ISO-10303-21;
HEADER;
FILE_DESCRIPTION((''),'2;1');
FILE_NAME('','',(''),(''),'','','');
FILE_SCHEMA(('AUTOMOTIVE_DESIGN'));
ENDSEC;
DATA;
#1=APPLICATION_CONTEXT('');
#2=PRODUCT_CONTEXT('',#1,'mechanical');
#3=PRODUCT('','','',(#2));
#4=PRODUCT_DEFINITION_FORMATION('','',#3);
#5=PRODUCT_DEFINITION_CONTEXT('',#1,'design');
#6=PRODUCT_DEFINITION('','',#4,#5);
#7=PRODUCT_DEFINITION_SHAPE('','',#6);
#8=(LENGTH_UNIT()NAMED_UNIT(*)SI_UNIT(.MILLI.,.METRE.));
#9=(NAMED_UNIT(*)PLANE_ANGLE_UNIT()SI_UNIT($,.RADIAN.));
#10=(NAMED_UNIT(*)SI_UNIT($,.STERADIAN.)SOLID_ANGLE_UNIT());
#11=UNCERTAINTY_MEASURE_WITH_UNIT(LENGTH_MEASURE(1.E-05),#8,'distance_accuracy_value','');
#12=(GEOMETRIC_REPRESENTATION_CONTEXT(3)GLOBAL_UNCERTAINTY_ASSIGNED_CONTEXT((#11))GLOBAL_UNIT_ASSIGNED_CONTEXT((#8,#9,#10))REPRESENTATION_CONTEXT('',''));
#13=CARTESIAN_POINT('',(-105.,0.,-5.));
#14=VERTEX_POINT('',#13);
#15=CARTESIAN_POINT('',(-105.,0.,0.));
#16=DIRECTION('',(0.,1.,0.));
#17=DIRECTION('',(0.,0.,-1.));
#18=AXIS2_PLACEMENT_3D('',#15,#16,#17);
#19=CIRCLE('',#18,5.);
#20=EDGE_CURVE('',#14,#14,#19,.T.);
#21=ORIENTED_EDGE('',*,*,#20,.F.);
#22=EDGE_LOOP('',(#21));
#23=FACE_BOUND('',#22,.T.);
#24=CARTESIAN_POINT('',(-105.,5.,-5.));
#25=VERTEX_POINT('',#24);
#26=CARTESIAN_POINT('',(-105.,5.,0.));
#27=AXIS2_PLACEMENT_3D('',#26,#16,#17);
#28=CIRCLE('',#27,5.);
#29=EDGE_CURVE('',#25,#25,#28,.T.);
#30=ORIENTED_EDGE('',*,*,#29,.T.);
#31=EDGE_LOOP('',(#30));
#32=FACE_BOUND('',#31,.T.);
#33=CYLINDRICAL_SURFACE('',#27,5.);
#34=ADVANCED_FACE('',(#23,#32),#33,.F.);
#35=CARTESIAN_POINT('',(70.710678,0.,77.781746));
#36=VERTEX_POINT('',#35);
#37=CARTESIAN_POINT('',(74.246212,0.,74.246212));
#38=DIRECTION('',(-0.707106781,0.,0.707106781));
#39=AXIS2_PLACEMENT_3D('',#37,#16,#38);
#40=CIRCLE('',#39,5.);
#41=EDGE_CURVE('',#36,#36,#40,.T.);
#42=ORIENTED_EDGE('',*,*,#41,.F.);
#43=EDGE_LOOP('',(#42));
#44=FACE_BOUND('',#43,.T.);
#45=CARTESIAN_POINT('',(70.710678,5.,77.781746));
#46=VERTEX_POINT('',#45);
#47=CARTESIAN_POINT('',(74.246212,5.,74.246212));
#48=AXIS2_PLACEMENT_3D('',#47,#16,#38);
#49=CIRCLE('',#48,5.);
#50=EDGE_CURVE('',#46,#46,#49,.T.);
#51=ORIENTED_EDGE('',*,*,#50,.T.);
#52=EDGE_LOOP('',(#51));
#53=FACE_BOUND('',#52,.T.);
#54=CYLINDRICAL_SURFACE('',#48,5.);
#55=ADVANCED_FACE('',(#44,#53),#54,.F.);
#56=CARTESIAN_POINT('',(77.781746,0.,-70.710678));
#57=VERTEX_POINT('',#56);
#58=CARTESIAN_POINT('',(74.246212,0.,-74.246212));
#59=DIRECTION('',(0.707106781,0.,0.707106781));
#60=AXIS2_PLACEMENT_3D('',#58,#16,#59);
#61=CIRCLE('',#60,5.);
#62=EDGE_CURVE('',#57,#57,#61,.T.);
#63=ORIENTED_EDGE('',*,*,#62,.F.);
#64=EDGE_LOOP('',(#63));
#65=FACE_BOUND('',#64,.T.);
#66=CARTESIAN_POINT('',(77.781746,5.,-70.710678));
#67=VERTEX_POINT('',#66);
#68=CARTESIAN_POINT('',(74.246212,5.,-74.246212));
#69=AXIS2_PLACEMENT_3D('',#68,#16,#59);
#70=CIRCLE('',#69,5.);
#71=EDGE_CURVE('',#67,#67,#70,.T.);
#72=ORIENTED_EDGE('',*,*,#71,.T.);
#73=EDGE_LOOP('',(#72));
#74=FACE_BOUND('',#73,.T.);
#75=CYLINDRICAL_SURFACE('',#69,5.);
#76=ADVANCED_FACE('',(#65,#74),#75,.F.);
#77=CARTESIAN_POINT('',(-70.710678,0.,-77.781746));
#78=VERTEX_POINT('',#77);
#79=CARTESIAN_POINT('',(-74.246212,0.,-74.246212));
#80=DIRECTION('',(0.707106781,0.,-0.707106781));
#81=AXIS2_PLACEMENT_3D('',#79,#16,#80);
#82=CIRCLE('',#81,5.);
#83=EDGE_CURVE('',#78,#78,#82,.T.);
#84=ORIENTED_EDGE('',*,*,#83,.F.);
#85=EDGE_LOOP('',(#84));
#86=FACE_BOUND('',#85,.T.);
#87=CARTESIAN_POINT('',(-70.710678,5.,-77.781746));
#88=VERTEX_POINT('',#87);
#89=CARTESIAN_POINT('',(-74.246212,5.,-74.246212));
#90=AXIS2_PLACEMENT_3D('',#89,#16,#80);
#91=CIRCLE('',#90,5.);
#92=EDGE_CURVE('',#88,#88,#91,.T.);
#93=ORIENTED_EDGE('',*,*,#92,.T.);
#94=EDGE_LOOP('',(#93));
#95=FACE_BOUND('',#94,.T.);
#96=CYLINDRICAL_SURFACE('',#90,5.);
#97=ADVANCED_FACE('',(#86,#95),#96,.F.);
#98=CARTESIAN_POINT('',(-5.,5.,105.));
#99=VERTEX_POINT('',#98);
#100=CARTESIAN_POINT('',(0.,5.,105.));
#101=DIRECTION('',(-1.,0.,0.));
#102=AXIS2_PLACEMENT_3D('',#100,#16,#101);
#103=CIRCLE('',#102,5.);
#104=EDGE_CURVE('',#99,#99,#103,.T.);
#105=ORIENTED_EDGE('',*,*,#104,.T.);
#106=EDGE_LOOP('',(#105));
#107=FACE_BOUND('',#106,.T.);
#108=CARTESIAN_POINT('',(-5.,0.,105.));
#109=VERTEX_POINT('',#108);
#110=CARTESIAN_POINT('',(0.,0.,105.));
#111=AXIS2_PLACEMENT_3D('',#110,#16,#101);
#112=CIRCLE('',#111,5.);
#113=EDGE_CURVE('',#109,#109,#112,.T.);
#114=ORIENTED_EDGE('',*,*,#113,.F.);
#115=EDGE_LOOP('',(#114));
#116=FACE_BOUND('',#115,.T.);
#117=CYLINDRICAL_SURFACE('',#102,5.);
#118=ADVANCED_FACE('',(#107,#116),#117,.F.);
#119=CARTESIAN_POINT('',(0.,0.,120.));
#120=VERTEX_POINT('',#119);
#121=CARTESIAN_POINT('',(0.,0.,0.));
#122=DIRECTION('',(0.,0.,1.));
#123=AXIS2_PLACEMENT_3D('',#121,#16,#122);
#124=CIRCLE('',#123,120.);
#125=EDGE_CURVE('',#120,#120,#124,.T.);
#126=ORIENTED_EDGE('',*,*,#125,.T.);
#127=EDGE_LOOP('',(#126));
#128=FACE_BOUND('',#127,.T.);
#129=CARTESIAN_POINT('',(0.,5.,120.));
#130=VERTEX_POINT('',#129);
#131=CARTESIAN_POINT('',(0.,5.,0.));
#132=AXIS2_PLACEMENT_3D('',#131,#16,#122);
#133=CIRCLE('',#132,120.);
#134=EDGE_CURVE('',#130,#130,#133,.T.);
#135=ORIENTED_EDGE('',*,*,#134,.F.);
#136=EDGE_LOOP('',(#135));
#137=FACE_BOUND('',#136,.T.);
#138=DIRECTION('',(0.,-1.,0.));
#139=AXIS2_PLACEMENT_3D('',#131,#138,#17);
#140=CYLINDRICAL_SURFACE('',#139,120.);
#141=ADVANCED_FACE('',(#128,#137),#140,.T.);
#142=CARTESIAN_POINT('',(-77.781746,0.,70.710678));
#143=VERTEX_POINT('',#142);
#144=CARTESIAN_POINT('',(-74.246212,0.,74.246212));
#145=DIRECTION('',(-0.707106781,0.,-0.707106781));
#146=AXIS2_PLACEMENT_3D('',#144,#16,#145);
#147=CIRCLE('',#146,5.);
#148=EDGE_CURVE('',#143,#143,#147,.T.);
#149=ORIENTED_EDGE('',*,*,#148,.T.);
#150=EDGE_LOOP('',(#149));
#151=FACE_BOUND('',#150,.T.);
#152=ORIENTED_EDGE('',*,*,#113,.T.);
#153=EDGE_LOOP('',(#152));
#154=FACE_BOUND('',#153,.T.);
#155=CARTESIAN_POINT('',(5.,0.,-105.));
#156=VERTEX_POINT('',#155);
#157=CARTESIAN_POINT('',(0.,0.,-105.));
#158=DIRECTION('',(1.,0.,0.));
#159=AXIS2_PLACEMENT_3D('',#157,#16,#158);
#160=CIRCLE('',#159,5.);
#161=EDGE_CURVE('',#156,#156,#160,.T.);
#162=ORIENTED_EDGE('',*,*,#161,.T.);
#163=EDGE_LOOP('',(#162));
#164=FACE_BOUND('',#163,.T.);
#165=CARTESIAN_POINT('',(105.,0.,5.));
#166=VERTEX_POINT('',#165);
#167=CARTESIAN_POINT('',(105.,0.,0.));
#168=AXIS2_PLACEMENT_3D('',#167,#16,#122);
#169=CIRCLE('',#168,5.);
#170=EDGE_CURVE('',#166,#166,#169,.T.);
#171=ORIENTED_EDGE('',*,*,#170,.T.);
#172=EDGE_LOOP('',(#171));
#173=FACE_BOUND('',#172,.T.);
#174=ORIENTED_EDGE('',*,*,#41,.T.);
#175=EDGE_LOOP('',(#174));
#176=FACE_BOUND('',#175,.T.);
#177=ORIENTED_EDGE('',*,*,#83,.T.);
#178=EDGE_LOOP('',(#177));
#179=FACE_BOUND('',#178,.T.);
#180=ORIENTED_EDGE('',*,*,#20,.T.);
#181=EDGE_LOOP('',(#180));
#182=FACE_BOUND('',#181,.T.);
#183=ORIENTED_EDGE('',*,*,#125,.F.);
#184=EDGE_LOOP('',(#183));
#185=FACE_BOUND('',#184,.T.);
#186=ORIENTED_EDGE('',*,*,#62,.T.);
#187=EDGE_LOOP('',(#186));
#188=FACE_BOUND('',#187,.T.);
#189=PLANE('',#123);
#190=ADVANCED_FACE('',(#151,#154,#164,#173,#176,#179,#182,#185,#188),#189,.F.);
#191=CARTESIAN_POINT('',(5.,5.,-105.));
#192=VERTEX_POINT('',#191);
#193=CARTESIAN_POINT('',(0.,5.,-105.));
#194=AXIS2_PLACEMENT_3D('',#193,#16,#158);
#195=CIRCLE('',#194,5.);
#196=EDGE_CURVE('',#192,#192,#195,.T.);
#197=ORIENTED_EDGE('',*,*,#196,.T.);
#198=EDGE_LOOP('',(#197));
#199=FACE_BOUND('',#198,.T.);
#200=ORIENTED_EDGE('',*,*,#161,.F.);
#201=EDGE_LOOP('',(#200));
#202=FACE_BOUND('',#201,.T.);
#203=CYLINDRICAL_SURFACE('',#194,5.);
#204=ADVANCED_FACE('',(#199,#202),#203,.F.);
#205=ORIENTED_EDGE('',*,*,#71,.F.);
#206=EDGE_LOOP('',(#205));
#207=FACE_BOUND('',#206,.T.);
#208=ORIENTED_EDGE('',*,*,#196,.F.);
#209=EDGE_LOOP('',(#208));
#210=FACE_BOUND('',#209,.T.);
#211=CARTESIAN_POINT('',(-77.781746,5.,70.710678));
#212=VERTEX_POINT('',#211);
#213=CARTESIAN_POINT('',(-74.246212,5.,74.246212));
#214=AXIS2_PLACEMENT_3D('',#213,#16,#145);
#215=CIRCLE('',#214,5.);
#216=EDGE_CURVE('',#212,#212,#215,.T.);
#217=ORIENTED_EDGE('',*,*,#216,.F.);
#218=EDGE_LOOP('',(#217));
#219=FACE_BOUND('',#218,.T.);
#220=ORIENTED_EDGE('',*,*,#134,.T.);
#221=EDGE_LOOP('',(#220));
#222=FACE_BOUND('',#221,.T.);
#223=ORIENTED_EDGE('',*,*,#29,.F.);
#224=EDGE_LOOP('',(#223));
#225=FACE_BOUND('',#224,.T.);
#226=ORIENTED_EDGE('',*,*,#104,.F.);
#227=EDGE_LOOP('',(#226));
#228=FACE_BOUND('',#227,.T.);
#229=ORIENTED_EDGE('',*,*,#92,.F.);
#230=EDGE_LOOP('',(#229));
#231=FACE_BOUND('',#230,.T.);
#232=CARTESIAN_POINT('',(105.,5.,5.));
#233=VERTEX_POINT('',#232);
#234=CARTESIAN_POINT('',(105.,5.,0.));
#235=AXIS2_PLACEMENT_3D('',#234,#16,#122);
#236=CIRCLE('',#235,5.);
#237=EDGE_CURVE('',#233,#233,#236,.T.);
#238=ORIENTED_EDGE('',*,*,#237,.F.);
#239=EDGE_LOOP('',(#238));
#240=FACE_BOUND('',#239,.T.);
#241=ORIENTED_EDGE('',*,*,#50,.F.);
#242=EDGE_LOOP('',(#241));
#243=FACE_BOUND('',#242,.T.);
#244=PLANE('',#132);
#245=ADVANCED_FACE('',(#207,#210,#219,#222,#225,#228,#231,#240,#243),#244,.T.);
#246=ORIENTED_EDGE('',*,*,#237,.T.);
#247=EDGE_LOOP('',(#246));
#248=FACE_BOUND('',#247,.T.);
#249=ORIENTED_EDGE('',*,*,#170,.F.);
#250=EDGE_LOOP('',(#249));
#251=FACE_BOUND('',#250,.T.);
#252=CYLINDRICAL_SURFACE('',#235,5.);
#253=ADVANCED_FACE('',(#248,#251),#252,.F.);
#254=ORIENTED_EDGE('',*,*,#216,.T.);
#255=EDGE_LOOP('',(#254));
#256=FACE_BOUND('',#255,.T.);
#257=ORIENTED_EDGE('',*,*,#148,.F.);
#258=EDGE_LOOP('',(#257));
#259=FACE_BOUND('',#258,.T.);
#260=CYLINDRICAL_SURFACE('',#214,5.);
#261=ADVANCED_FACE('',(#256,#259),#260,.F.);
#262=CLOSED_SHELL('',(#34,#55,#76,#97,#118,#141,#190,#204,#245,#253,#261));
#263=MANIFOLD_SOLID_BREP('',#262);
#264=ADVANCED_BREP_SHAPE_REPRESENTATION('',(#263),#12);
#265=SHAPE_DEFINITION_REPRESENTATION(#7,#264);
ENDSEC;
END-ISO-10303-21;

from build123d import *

# Parameters (mm, degrees)
SKETCH_9_R               = 120
EXTRUDE_1_DEPTH          = 5
PATTERN_CIRCULAR_1_COUNT = 8


with BuildPart() as part:
    # Эскиз9 → Бобышка-Вытянуть1 (new body)
    with BuildSketch(Plane(origin=(0, 0, 0), x_dir=(1, 0, 0), z_dir=(0, 1, 0))):
        Circle(SKETCH_9_R)
    extrude(amount=EXTRUDE_1_DEPTH)

    # Эскиз13 → Диаметр отверстия Ø10.0 (10)1 (revolve, cut)
    with BuildSketch(Plane(origin=(105, 5, 0), x_dir=(0, 0, 1), z_dir=(1, 0, 0))):
        Polygon((0, 0), (0, 18.004303095), (5, 15), (5, 0), align=None)
    hole_wizard_10_0_10_1 = revolve(axis=Axis((105, 11.35, 0), (0, -1, 0)), mode=Mode.SUBTRACT)

    # Круговой массив1: Диаметр отверстия Ø10.0 (10)1 ×8 about axis
    pattern_circular_1_axis = Axis((0, 50, 0), (0, -1, 0))
    for i in range(1, PATTERN_CIRCULAR_1_COUNT):
        add(hole_wizard_10_0_10_1.rotate(pattern_circular_1_axis, i * 360 / PATTERN_CIRCULAR_1_COUNT), mode=Mode.SUBTRACT)


solid = part.part
